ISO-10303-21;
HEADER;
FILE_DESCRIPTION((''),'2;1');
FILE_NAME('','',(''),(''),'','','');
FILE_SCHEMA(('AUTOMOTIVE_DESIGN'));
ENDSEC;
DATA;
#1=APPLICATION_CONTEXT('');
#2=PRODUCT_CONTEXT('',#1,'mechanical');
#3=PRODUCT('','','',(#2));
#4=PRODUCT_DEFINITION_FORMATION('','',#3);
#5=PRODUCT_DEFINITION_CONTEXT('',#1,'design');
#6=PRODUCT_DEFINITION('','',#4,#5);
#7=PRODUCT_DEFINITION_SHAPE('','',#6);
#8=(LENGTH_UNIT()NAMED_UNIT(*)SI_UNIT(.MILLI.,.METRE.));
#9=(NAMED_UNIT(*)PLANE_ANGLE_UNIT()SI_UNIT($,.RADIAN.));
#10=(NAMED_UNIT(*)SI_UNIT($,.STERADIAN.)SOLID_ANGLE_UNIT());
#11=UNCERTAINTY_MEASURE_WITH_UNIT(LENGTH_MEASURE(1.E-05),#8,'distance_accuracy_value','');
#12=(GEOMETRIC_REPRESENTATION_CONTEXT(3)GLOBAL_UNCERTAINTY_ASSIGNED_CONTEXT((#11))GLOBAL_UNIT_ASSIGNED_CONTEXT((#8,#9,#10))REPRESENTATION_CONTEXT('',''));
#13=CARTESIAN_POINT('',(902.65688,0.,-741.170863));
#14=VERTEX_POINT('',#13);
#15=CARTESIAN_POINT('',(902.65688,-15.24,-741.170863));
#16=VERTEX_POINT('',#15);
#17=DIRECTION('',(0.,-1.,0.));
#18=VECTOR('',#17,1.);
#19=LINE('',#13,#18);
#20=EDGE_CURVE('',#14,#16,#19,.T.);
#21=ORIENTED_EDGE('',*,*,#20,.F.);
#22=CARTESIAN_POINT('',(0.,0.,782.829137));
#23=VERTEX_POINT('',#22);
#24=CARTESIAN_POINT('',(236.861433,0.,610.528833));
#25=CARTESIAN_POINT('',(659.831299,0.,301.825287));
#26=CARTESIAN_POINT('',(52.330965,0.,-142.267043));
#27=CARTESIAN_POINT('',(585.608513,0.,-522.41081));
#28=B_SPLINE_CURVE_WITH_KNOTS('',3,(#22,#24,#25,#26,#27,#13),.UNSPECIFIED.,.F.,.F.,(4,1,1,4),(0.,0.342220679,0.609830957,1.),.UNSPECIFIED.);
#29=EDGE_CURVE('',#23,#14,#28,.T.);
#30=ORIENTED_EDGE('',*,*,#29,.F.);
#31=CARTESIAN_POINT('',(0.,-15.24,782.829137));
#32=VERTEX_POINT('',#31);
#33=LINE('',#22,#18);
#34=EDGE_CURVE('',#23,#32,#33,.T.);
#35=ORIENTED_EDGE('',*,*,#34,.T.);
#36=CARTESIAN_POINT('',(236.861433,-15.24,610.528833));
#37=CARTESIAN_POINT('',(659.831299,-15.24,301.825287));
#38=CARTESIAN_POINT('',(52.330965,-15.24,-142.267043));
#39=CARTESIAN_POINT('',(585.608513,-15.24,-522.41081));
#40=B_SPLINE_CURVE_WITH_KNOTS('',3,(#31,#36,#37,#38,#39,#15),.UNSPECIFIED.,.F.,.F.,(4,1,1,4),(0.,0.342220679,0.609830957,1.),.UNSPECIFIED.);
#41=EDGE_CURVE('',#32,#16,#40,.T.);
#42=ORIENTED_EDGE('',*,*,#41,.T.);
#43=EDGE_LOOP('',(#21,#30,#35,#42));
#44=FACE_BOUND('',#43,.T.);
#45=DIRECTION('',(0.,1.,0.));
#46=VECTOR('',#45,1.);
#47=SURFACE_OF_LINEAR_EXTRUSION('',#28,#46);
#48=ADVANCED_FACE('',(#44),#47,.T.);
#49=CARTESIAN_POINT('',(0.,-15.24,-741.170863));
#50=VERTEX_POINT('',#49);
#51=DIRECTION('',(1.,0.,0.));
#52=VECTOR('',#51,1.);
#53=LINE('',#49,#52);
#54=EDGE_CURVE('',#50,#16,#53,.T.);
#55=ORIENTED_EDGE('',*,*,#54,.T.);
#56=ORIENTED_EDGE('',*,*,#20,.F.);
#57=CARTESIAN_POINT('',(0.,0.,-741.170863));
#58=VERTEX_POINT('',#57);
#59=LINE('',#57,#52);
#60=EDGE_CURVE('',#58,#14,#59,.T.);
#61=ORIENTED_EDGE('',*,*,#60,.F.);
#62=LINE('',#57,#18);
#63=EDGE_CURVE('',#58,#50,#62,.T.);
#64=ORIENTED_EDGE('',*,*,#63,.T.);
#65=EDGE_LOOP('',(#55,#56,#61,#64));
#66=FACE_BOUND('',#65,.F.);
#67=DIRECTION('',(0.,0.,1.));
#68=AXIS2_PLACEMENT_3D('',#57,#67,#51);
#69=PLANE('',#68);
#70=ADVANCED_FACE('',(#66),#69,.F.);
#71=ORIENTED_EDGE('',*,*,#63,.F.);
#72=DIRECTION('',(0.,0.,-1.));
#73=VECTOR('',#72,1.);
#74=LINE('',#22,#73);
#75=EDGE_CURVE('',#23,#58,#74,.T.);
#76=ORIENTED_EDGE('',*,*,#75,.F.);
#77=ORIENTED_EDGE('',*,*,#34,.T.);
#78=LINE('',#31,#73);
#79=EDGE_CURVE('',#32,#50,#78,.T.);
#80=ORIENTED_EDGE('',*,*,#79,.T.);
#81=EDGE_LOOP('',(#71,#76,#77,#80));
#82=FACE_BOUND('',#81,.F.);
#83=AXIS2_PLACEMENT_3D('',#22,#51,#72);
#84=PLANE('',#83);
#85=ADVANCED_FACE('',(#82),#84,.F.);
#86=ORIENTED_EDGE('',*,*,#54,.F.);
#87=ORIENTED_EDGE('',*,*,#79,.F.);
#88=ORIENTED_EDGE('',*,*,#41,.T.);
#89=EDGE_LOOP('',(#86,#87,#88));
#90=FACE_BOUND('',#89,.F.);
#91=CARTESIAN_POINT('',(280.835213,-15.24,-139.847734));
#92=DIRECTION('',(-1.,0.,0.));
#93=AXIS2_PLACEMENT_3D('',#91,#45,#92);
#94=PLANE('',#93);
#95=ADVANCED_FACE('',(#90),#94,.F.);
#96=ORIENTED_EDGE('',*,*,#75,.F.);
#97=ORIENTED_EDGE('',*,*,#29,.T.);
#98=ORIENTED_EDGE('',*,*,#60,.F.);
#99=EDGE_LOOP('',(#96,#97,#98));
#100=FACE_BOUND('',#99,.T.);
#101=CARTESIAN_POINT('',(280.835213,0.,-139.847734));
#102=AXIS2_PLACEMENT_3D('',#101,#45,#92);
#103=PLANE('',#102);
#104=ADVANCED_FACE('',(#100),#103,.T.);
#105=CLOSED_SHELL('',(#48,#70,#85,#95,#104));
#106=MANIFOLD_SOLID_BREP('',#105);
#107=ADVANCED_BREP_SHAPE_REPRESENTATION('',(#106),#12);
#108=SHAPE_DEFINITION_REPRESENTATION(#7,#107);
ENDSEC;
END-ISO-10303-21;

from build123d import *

# Parameters (mm, degrees)
F1_DEPTH = 15.24


with BuildPart() as f1:
    # F0 (on Front) → F1 (new body)
    with BuildSketch(Plane.XZ):
        with BuildLine():
            add(Edge.make_bspline(
                [(0, 782.8291369095), (236.8614326487, 610.528833462), (659.8312991992, 301.8252874471), (52.33096461, -142.2670428194), (585.6085132594, -522.4108102974), (902.6568804325, -741.1708630905)],
                knots=[0, 0, 0, 0, 0.3422206786, 0.6098309572, 1, 1, 1, 1], degree=3))
            Line((0, 782.8291369095), (0, -741.1708630905))
            Line((0, -741.1708630905), (902.6568804325, -741.1708630905))
        make_face()
    extrude(amount=F1_DEPTH)


solid = f1.part
